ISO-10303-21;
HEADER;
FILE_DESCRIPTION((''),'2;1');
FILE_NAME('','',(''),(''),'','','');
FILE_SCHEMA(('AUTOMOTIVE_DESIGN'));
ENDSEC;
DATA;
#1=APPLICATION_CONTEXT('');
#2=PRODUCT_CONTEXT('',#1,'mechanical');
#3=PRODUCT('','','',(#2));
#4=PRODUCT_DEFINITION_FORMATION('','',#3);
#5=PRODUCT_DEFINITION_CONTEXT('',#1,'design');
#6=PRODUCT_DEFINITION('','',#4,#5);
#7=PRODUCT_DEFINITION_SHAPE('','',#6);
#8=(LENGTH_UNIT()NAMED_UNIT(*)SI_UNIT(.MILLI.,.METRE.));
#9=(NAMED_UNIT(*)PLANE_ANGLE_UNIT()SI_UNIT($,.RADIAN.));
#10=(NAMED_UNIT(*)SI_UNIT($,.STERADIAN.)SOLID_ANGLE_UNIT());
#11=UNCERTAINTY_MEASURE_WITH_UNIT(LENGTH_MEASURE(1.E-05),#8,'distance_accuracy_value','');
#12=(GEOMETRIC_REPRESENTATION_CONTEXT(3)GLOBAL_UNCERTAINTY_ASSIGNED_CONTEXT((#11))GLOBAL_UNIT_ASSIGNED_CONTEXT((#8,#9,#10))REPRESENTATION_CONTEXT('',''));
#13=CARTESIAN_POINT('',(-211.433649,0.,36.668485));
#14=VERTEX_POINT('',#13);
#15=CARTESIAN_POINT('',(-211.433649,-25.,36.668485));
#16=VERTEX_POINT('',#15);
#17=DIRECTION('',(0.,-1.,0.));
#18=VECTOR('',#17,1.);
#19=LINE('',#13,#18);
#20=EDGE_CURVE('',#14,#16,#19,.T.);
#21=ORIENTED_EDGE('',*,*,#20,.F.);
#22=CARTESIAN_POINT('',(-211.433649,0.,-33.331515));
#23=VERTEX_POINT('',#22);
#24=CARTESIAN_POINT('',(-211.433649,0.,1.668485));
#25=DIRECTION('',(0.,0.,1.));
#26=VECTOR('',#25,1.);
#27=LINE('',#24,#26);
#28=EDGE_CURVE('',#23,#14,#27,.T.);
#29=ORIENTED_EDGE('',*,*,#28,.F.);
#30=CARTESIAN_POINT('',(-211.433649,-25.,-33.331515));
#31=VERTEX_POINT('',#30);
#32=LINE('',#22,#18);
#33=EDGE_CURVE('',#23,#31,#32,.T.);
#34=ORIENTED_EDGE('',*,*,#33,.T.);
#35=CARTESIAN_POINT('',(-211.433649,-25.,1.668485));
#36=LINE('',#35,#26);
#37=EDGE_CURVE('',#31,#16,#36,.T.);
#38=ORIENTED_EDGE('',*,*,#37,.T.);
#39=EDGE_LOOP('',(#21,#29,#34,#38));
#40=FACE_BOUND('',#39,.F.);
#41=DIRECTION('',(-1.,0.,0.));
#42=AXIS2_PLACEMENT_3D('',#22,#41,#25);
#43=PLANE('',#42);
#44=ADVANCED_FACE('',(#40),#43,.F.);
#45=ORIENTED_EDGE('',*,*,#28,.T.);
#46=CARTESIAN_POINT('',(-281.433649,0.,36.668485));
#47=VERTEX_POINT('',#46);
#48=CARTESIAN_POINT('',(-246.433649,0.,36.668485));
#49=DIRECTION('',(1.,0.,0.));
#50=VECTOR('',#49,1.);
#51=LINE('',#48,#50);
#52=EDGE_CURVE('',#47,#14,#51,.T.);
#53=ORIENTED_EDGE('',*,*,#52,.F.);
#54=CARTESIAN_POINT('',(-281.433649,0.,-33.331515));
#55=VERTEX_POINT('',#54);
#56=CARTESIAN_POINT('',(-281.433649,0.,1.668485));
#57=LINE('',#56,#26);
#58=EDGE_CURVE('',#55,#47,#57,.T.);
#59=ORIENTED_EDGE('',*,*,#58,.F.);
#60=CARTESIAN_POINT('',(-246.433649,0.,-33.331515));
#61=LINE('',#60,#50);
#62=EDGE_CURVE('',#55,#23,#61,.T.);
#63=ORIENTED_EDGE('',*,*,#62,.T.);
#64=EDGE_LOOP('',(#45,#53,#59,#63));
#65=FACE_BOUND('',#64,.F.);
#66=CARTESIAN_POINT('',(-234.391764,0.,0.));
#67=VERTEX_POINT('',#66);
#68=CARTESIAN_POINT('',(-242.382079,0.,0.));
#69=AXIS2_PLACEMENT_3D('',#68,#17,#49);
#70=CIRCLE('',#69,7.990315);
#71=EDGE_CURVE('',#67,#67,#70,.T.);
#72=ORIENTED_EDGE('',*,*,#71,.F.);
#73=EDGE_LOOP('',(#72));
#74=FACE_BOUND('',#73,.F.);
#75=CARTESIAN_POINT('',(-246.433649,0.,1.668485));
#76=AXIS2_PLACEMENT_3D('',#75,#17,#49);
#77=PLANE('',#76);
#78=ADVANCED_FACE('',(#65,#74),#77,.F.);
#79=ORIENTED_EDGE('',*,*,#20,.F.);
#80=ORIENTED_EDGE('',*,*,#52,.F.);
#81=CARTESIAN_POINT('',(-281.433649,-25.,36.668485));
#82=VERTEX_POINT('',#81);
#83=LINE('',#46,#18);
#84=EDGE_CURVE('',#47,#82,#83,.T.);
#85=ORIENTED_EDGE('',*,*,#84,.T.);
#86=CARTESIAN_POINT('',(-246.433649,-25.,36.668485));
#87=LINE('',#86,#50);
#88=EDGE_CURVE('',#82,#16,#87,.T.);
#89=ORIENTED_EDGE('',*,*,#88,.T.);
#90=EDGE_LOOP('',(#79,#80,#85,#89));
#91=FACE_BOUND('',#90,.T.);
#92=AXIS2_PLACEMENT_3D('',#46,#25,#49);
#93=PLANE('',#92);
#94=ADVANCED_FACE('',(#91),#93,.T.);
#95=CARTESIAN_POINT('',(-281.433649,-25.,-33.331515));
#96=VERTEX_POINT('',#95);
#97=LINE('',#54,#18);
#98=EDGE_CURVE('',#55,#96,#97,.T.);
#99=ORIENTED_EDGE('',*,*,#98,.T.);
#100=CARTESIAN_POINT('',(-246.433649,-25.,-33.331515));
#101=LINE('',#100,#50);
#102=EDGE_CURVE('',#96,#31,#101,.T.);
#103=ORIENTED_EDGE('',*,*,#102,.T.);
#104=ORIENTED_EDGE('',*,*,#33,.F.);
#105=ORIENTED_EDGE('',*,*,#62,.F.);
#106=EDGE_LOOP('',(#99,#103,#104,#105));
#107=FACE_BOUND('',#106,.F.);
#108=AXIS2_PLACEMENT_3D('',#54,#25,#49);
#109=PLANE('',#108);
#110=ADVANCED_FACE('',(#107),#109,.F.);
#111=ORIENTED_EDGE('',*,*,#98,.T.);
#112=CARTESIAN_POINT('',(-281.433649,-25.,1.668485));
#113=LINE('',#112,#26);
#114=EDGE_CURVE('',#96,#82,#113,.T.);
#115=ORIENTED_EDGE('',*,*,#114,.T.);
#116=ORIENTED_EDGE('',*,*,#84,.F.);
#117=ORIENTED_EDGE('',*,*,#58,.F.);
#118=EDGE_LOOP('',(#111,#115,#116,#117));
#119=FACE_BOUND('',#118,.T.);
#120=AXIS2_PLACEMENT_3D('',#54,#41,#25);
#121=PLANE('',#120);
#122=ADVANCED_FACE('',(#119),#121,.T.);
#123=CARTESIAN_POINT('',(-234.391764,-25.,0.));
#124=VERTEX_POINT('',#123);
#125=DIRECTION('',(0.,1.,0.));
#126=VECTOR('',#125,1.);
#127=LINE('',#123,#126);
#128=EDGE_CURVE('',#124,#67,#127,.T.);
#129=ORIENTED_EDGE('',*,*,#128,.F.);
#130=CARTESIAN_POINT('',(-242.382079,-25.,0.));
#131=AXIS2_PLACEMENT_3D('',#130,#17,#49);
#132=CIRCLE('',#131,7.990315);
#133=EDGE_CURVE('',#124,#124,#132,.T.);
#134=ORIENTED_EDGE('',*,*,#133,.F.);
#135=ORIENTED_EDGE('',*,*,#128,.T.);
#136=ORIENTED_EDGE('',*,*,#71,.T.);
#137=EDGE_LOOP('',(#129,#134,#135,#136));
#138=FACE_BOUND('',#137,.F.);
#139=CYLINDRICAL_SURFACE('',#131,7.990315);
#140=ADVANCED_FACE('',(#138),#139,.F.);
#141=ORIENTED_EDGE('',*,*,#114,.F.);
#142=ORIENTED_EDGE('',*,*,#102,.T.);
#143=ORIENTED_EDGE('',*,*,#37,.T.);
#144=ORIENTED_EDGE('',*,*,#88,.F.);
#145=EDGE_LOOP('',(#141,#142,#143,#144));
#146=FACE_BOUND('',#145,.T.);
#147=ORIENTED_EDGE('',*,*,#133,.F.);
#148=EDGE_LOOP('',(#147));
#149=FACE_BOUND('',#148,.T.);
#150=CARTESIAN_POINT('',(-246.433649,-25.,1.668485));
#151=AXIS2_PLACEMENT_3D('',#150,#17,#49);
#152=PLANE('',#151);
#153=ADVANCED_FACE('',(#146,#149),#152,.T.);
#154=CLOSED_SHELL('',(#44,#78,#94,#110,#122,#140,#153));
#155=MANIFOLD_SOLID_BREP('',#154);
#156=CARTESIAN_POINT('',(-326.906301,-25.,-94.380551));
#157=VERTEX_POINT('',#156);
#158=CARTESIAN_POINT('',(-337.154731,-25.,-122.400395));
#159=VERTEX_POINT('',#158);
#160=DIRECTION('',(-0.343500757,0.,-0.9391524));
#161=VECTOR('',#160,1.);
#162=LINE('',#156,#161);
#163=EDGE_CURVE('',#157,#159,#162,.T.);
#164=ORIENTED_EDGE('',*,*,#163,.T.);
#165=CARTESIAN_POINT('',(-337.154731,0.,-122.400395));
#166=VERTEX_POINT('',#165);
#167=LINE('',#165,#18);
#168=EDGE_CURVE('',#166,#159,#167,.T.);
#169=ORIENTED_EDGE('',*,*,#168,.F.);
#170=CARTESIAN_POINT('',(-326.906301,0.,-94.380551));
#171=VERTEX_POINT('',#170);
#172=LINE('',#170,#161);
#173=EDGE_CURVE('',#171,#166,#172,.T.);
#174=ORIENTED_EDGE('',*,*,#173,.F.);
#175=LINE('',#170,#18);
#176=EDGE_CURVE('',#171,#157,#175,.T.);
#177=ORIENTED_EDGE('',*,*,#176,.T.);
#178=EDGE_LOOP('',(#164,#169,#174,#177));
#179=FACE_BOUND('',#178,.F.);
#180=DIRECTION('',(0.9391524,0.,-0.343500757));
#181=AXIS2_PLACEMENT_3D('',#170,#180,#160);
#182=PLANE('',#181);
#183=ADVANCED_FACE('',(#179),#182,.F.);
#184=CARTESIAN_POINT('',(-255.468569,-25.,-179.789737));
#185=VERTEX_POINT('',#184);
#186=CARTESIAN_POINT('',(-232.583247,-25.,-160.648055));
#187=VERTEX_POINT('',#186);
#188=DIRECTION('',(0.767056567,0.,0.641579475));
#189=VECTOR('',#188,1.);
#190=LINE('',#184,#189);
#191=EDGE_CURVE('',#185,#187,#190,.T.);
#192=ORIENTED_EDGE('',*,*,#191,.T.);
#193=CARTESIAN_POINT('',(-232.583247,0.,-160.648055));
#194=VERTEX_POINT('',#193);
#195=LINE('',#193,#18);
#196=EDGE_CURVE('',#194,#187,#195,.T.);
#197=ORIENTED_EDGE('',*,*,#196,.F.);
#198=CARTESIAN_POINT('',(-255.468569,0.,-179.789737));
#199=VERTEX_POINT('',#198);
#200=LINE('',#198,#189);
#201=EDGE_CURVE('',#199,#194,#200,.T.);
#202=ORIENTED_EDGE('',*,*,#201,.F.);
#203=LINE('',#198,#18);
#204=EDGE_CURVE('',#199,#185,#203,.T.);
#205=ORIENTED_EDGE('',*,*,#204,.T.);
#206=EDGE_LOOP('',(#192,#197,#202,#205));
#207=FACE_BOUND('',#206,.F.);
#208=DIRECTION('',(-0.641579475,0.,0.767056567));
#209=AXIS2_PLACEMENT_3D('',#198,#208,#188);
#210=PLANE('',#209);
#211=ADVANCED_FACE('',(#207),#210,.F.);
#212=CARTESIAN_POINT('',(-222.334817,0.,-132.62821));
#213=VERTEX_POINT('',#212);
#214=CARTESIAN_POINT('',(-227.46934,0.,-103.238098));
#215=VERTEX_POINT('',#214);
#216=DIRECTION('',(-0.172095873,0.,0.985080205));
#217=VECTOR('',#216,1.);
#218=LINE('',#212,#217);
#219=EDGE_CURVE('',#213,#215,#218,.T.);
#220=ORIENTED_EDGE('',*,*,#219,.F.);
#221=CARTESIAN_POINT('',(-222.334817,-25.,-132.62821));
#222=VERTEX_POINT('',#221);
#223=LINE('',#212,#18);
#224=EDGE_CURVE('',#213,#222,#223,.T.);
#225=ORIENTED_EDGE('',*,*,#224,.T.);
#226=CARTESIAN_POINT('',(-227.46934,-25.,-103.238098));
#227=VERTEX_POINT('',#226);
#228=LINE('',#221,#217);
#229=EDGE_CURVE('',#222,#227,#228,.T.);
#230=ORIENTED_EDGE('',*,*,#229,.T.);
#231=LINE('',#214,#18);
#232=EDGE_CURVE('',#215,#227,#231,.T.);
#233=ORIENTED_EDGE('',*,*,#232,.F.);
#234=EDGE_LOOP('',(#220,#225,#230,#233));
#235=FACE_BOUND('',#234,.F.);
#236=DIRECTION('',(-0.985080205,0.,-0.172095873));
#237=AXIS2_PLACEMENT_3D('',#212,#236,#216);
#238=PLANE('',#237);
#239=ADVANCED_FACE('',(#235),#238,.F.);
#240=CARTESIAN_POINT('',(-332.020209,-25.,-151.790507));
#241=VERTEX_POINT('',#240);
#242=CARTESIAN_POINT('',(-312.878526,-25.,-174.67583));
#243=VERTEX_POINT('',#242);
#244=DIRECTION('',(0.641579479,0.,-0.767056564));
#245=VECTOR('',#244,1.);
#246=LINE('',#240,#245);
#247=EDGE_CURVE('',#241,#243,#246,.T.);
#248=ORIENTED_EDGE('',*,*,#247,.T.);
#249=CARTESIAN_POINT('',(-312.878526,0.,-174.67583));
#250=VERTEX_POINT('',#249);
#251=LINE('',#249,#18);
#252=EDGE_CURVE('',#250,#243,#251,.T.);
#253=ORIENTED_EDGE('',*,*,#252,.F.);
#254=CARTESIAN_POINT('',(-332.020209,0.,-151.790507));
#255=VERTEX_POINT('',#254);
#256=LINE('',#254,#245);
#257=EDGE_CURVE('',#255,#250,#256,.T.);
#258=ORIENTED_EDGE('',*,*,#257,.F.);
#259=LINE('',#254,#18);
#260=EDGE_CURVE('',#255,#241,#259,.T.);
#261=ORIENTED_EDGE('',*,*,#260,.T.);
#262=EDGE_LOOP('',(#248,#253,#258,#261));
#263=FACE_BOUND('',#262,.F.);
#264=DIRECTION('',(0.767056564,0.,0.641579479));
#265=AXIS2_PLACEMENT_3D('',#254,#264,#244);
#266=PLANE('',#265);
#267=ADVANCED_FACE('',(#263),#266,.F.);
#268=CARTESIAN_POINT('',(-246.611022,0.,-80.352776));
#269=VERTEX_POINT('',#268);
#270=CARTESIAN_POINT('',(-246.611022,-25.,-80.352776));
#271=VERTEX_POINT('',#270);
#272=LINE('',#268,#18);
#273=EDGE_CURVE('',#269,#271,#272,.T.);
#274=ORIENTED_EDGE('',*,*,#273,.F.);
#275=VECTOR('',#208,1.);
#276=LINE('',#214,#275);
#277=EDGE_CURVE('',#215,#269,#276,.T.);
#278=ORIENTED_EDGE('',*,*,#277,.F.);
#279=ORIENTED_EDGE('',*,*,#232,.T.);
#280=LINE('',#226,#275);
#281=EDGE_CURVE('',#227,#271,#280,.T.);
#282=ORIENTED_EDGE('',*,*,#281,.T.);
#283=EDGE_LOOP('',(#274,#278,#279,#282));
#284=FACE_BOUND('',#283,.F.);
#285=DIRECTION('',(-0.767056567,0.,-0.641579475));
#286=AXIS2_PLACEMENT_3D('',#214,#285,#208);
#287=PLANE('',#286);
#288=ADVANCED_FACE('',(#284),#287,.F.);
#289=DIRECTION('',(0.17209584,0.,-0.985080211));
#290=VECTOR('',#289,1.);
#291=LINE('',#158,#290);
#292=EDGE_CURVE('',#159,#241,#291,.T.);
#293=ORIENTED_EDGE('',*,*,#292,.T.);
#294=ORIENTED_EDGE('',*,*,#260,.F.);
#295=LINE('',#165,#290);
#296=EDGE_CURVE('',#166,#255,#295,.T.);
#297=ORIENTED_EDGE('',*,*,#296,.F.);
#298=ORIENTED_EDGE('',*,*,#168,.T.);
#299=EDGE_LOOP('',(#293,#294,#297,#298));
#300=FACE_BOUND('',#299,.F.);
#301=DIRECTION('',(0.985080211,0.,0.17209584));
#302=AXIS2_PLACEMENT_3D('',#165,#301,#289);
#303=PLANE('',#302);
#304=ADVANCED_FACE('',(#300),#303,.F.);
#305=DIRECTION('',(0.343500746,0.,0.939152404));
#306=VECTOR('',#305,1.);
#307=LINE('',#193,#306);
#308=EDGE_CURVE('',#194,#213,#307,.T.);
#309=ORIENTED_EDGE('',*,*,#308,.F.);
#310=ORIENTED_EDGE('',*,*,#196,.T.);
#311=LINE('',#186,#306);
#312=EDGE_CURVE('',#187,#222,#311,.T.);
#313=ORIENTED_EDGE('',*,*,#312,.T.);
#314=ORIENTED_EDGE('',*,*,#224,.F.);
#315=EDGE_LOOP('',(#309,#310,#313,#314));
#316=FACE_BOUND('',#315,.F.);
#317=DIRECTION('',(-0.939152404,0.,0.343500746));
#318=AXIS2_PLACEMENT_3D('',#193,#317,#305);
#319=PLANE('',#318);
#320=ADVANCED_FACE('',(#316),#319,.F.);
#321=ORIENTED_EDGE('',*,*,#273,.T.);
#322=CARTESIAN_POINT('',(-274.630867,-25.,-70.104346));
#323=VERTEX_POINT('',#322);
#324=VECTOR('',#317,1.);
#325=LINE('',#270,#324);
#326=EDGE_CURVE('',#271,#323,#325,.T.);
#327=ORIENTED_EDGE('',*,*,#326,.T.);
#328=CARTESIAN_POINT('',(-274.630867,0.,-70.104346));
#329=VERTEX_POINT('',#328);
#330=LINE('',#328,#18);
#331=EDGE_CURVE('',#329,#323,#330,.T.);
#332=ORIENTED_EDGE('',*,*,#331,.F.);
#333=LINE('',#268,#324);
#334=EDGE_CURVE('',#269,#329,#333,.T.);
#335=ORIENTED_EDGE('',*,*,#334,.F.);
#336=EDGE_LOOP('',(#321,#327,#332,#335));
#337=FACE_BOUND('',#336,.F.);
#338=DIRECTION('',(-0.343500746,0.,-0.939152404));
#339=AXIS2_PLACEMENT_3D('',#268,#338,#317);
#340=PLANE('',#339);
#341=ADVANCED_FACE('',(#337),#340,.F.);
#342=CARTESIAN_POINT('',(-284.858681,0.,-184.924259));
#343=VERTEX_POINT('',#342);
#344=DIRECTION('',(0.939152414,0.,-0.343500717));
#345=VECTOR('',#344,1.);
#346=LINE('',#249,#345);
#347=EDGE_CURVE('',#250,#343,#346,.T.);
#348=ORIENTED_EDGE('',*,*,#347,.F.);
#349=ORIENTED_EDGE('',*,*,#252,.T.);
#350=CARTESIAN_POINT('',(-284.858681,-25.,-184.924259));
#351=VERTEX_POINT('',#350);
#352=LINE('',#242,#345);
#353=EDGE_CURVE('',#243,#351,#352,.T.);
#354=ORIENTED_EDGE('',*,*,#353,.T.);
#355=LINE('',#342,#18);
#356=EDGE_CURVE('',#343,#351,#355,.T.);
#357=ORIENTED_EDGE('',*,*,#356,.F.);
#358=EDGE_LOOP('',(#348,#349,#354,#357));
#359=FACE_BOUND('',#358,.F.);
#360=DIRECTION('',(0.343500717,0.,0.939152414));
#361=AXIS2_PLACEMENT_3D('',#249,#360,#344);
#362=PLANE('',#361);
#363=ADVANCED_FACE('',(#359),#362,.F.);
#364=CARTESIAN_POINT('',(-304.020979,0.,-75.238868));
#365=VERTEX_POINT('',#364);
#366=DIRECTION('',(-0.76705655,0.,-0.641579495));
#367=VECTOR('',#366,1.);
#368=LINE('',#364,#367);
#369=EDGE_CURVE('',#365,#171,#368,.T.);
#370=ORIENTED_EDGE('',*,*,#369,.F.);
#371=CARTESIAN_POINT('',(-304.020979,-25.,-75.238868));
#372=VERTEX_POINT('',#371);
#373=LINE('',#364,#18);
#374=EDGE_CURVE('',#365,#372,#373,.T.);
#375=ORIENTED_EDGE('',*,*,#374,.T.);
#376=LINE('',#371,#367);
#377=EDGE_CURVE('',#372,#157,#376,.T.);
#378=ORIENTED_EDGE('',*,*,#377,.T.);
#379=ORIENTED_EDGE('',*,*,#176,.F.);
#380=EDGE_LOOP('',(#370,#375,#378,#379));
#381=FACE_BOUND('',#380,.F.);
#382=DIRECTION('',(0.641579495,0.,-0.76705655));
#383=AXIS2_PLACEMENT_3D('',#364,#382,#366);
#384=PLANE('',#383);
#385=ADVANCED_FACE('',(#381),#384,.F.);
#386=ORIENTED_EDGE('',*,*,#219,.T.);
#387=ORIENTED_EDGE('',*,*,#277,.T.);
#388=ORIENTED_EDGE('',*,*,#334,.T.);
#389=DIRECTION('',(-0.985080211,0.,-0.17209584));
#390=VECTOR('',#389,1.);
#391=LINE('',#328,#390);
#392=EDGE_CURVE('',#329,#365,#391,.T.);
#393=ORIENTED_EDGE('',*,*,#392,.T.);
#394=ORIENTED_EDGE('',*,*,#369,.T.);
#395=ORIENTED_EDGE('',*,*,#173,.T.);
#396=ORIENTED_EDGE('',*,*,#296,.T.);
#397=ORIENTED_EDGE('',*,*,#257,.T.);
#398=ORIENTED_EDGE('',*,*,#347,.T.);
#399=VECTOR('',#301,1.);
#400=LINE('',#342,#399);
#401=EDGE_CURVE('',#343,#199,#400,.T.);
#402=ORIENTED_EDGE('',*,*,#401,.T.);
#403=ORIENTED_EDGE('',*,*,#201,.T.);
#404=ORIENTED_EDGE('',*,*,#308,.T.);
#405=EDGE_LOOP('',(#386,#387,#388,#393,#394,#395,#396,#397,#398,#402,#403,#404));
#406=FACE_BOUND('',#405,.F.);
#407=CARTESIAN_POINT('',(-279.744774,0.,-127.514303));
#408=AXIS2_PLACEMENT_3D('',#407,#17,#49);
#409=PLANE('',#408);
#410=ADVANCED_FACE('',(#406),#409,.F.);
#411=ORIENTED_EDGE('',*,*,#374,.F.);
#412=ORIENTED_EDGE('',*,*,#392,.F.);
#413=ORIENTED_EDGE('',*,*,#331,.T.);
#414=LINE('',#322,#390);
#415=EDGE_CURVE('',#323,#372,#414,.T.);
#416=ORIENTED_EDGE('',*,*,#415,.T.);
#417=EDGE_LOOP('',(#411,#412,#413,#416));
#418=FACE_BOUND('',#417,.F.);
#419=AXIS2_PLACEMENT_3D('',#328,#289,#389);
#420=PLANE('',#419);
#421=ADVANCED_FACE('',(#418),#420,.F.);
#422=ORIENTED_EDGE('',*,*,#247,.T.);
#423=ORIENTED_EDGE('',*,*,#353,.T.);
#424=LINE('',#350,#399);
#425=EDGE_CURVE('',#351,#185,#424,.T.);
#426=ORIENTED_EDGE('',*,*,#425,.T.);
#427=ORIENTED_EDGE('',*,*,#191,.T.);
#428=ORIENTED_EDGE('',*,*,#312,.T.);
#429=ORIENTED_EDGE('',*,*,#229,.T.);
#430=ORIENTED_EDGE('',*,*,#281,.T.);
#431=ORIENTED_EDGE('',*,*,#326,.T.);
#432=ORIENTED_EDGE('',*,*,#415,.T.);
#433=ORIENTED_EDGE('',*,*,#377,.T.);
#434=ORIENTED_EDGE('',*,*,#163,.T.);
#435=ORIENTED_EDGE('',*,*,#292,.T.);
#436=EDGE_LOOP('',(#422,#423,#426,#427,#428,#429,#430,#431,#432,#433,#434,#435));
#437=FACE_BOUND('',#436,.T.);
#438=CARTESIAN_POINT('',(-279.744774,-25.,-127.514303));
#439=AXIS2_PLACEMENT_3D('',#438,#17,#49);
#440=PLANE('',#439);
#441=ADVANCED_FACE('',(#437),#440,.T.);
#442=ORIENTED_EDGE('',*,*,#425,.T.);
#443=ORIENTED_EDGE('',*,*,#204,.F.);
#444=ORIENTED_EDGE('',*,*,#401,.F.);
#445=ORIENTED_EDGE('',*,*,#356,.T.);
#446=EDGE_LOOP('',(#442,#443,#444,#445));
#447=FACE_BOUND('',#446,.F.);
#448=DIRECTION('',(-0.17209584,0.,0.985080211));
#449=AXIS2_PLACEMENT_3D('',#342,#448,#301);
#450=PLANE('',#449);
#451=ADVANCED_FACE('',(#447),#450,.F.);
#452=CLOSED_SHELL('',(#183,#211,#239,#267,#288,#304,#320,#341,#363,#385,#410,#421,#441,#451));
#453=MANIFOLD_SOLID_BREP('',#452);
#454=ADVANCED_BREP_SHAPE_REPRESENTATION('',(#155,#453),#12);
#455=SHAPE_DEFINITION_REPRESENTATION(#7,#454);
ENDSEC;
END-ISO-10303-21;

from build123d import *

# Parameters (mm, degrees)
F0_W     = 70
F0_H     = 70
F3_DEPTH = 25
F4_R     = 7.990315
F5_DEPTH = 25


with BuildPart() as f3:
    # F0 (on Front) + F1 (on Front) → F3 (new body)
    with BuildSketch(Plane.XZ):
        with Locations((-246.433649, 1.668485)):
            Rectangle(F0_W, F0_H)
    with BuildSketch(Plane.XZ):
        Polygon((-284.858681, -184.924259), (-255.468569, -179.789737), (-232.583247, -160.648055), (-222.334817, -132.62821), (-227.46934, -103.238098), (-246.611022, -80.352776), (-274.630867, -70.104346), (-304.020979, -75.238868), (-326.906301, -94.380551), (-337.154731, -122.400395), (-332.020209, -151.790507), (-312.878526, -174.67583), align=None)
    extrude(amount=F3_DEPTH)

    # F4 (on face) → F5 (cut)
    with BuildSketch(Plane.XZ.offset(25)):
        with Locations((-242.382079, 0)):
            Circle(F4_R)
    extrude(amount=-F5_DEPTH, mode=Mode.SUBTRACT)


solid = f3.part
